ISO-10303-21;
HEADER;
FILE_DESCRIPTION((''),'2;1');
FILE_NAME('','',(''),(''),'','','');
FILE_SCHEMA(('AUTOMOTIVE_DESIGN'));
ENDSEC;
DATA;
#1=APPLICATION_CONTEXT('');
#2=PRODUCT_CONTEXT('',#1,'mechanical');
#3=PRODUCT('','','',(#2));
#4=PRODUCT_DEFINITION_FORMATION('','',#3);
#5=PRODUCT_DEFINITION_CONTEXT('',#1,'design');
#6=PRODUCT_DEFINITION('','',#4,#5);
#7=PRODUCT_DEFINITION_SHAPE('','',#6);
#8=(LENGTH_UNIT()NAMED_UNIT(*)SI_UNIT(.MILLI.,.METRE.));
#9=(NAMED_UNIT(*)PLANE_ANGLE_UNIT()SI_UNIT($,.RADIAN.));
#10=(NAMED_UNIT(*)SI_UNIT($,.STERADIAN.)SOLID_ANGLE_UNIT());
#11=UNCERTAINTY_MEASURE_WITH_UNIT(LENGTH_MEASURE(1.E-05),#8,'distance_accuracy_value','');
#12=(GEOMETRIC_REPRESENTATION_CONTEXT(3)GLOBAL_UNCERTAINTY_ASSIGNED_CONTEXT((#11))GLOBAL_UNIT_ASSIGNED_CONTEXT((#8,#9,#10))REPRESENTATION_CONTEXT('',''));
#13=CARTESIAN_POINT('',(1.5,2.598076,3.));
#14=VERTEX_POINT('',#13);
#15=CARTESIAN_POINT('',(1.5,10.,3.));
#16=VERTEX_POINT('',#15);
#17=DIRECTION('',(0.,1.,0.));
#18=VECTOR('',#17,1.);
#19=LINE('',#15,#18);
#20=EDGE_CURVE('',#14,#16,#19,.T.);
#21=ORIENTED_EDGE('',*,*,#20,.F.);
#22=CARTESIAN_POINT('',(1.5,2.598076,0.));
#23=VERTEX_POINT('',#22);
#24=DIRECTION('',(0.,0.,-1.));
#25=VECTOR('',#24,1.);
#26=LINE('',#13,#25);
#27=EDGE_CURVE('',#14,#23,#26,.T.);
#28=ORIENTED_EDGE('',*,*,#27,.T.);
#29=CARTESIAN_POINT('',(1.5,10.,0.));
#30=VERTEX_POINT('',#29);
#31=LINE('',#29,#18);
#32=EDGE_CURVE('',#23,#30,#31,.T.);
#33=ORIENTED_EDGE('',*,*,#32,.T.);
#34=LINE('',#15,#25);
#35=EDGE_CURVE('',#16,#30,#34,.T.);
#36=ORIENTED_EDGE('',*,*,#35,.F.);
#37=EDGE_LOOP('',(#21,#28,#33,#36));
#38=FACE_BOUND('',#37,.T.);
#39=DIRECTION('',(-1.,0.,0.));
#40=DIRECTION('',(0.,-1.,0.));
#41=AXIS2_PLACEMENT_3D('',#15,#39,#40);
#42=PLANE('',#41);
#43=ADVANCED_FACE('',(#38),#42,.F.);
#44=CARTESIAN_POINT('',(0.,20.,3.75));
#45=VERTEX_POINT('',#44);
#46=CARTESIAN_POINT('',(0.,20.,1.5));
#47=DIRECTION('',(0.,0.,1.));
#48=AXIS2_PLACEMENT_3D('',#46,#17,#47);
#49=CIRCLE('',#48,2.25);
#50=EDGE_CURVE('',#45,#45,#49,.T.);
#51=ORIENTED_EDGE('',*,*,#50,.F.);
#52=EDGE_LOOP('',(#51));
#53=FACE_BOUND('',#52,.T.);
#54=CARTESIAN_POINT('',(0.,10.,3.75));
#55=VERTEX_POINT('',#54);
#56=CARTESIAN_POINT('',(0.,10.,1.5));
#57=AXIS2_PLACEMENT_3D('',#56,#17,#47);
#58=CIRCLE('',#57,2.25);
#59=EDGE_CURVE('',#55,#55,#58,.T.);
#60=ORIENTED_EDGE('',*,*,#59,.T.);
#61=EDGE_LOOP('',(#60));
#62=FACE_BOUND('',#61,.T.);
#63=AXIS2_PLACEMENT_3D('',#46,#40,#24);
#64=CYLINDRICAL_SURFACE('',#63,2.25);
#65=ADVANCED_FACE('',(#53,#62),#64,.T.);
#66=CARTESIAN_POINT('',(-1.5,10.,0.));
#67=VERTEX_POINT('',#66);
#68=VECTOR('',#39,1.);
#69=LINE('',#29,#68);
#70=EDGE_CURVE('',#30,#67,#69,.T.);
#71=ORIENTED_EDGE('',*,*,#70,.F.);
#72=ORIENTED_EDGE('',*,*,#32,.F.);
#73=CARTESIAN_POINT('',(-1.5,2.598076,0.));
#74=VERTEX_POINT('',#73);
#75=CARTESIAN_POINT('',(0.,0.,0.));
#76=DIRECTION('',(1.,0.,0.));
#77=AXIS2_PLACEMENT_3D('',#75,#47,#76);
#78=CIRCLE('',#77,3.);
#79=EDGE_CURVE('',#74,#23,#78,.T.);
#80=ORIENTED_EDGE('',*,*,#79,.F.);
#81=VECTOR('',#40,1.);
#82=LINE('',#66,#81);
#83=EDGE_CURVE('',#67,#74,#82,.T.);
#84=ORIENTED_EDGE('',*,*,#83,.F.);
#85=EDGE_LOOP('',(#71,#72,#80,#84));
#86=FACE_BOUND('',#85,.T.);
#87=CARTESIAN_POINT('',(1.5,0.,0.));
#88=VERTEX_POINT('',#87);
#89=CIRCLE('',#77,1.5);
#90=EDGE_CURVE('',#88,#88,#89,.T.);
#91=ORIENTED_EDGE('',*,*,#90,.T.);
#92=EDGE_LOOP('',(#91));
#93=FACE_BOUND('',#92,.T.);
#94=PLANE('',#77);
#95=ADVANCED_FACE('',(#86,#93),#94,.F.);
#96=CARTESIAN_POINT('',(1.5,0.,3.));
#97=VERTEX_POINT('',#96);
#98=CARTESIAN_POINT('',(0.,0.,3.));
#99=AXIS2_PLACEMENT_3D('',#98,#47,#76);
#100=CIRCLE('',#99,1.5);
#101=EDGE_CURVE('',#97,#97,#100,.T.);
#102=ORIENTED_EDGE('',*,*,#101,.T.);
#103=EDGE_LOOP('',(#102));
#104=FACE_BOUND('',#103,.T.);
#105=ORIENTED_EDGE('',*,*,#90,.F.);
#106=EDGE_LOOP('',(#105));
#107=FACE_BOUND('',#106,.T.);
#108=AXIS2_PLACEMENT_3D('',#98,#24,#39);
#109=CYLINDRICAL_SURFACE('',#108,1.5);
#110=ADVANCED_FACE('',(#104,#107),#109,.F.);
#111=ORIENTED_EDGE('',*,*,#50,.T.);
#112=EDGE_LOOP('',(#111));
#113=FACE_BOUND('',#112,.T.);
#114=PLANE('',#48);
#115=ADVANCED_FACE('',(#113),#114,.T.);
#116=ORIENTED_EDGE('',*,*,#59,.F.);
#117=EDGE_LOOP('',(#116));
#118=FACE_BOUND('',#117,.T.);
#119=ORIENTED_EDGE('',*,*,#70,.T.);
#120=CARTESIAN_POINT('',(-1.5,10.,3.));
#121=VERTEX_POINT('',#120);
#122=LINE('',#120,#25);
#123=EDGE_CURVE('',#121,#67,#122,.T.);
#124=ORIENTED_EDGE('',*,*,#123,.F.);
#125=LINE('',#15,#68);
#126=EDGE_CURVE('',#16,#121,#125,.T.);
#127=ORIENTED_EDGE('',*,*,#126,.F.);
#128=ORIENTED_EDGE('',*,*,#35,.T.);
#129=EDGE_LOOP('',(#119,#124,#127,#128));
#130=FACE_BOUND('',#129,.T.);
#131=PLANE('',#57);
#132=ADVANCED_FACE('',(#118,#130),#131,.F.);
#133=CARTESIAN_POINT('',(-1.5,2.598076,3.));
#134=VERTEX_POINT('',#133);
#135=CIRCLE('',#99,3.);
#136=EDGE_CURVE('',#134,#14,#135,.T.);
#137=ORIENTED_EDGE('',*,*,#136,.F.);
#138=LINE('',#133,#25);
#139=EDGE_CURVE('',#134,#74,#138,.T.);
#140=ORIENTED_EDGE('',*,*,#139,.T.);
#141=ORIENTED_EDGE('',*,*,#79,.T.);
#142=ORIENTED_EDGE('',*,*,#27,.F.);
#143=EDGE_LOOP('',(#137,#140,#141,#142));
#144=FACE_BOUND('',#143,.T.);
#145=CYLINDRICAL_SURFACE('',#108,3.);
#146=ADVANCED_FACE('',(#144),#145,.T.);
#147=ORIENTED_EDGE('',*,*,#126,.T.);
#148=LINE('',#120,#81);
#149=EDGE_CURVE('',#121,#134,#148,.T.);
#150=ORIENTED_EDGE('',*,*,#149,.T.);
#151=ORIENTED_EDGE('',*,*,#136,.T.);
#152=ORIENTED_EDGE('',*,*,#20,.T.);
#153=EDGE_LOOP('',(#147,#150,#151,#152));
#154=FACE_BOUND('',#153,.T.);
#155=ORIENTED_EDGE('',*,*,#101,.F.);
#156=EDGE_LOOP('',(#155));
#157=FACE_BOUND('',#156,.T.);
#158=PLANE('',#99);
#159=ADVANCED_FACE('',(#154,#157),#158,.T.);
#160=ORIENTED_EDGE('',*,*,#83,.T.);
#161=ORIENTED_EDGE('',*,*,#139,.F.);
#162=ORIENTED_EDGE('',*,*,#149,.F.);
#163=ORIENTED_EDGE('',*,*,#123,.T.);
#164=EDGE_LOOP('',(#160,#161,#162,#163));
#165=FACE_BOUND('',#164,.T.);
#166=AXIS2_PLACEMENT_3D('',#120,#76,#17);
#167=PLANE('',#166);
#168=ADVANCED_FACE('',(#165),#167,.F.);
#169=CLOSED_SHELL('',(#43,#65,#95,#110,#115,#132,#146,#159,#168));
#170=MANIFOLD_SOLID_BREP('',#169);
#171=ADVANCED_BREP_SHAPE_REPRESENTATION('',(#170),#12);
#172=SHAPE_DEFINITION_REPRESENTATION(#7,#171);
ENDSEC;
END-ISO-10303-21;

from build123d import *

# Parameters (mm, degrees)
CROQUIS1_R              = 1.5
SALIENTE_EXTRUIR1_DEPTH = 3
CROQUIS2_R              = 2.25
SALIENTE_EXTRUIR2_DEPTH = 10


with BuildPart() as part:
    # Croquis1 → Saliente-Extruir1 (new body)
    with BuildSketch(Plane.XY):
        with BuildLine():
            Line((1.5, 10), (-1.5, 10))
            Line((-1.5, 10), (-1.5, 2.598076211))
            ThreePointArc((-1.5, 2.598076211), (0, -3), (1.5, 2.598076211))
            Line((1.5, 2.598076211), (1.5, 10))
        make_face()
        Circle(CROQUIS1_R, mode=Mode.SUBTRACT)
    extrude(amount=SALIENTE_EXTRUIR1_DEPTH)

    # Croquis2 → Saliente-Extruir2 (add)
    with BuildSketch(Plane(origin=(0, 10, 0), x_dir=(1, 0, 0), z_dir=(0, 1, 0))):
        with Locations(Location((0, -1.5, 0), (0, 0, 270))):
            Circle(CROQUIS2_R)
    extrude(amount=SALIENTE_EXTRUIR2_DEPTH)


solid = part.part
